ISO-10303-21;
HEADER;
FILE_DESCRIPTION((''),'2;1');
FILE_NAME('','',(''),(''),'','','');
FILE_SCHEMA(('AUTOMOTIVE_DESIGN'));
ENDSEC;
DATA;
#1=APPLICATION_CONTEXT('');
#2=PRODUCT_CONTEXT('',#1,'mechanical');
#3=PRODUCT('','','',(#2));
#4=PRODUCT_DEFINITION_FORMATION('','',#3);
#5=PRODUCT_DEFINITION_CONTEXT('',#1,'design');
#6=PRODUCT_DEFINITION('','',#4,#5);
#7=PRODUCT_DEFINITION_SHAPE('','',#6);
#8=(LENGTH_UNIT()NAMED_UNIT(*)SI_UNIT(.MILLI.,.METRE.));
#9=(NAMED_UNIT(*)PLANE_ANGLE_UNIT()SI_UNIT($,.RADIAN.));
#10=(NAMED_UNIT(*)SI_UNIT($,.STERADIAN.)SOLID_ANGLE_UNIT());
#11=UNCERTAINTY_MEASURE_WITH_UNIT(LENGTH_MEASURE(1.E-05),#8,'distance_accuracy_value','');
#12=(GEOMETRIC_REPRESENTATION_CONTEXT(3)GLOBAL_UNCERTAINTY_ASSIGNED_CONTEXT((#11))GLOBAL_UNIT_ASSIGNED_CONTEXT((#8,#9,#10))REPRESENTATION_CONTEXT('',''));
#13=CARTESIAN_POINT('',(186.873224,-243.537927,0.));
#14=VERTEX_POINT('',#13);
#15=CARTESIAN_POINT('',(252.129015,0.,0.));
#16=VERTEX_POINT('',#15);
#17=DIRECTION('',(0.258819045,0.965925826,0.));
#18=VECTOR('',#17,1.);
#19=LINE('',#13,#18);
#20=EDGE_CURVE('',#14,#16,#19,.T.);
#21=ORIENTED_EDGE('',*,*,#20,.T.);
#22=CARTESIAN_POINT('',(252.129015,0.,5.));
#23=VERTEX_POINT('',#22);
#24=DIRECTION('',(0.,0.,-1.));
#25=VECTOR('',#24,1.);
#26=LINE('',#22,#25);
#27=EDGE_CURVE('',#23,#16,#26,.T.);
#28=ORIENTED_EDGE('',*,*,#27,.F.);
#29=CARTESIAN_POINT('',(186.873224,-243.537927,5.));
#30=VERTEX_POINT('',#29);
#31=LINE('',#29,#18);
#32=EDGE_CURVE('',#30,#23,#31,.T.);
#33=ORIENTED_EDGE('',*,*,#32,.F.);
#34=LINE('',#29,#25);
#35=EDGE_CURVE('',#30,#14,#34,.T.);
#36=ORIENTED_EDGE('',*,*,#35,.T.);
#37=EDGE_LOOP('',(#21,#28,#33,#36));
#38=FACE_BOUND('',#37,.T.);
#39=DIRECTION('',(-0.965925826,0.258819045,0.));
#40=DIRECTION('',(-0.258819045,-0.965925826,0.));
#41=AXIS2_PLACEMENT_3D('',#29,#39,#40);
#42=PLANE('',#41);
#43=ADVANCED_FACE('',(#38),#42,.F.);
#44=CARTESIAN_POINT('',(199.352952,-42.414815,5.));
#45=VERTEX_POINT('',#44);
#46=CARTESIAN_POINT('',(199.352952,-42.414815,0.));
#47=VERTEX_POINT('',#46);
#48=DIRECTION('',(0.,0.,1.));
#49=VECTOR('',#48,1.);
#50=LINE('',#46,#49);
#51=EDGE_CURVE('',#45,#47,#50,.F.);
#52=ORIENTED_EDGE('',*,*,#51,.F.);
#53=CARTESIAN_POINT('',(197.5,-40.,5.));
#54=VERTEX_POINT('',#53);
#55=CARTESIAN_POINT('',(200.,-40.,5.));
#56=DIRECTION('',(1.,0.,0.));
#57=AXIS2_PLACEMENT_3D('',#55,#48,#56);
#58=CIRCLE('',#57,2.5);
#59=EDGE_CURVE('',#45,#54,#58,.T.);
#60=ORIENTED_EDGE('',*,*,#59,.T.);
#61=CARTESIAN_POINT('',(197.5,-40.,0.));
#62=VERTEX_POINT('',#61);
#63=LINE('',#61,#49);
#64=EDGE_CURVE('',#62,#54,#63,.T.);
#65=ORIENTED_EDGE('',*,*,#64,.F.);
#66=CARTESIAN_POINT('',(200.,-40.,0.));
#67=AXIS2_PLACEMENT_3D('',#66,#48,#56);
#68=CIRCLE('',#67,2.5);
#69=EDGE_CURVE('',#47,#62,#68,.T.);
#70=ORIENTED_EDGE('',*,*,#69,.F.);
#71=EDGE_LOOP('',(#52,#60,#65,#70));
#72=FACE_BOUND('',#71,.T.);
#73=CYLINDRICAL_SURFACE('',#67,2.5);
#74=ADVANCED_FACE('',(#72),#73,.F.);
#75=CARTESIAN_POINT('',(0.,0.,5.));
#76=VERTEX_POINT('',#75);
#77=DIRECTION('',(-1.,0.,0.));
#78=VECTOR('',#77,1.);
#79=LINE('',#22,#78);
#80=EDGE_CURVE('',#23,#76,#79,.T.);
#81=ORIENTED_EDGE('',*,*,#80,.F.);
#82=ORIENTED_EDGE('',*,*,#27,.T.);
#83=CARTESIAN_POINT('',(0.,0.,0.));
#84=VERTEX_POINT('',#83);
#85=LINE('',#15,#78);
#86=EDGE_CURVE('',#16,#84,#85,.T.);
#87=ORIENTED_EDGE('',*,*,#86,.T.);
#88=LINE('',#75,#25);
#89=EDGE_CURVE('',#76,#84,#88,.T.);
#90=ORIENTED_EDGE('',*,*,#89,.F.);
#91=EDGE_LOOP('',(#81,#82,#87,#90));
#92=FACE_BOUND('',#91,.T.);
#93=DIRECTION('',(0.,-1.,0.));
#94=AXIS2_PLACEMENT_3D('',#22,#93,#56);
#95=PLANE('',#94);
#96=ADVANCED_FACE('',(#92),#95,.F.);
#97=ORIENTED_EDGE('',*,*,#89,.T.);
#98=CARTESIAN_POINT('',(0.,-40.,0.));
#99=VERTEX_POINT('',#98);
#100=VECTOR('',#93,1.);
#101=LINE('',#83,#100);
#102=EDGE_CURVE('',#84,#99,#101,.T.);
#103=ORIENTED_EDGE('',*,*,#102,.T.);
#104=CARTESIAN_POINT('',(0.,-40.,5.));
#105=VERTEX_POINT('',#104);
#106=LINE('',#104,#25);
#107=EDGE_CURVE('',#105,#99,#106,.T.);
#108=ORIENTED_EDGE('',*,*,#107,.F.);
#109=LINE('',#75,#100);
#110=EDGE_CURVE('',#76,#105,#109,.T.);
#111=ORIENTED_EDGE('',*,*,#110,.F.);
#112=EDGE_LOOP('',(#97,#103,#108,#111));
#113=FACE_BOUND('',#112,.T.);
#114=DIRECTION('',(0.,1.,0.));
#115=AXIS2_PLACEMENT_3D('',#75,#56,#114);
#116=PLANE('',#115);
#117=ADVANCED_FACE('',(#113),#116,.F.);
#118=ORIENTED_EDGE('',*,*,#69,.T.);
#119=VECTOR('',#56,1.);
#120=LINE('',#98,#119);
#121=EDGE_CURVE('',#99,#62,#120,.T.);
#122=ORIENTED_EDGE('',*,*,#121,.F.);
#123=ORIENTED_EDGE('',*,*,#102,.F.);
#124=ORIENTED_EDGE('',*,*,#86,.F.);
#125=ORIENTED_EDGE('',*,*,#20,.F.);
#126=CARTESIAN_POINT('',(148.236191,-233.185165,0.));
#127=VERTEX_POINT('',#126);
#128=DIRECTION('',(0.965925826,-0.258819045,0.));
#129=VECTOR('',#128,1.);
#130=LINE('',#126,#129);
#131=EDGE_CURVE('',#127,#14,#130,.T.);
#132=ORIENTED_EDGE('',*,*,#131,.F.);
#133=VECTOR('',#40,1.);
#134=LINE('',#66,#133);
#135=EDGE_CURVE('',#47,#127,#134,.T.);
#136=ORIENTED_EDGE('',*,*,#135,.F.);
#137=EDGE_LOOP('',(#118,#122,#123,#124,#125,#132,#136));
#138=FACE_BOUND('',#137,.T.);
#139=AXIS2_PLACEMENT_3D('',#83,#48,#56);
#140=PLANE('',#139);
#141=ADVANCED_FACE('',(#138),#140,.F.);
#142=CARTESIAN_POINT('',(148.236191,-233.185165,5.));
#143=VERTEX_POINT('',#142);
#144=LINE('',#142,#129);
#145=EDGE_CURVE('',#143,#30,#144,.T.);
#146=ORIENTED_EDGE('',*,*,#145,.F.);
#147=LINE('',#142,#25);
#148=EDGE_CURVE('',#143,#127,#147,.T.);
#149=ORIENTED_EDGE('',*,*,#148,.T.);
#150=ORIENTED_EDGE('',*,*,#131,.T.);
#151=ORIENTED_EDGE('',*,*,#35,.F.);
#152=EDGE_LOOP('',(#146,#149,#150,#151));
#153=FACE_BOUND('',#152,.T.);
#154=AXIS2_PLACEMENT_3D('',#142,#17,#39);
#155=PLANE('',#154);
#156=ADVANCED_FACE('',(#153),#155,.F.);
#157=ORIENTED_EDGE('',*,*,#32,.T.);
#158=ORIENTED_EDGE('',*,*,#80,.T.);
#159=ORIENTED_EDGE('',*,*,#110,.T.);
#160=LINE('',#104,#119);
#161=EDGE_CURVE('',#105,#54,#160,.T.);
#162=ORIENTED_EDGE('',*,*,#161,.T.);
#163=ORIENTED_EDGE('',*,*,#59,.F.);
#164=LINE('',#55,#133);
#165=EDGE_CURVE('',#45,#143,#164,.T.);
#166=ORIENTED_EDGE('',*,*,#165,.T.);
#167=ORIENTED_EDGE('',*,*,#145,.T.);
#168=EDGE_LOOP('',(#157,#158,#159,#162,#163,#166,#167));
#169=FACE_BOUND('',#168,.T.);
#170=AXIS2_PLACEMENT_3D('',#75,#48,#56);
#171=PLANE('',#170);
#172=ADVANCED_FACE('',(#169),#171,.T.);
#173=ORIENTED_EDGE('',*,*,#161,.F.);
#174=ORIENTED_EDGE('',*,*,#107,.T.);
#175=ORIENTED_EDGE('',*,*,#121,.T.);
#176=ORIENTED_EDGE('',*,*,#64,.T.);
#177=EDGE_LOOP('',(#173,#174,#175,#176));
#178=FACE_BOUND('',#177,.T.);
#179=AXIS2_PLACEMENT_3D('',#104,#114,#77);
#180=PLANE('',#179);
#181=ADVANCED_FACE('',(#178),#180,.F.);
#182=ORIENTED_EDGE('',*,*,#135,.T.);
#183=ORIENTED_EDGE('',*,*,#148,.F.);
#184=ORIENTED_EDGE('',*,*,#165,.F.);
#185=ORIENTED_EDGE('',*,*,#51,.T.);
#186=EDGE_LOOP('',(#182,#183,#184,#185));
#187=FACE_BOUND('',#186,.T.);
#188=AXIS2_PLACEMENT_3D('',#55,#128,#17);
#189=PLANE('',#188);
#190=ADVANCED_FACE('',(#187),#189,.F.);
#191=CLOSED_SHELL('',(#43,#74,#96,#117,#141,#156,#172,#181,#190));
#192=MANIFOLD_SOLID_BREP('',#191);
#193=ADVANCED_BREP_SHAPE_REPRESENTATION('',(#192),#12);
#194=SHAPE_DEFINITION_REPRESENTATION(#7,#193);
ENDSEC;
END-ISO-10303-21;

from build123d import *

# Parameters (mm, degrees)
BOSS_EXTRU_1_DEPTH      = 5
ESQUISSE2_R             = 2.5
ENL_V_MAT_EXTRU_1_DEPTH = 351.577754684


with BuildPart() as part:
    # Esquisse1 → Boss.-Extru.1 (new body)
    with BuildSketch(Plane.XY):
        Polygon((0, 0), (0, -40), (200, -40), (148.236190979, -233.185165258), (186.873224031, -243.537927062), (252.129014914, 0), align=None)
    extrude(amount=BOSS_EXTRU_1_DEPTH)

    # Esquisse2 → Enlèv. mat.-Extru.1 (cut, through all)
    with BuildSketch(Plane.XY.offset(5)):
        with Locations((200, -40)):
            Circle(ESQUISSE2_R)
    extrude(amount=-ENL_V_MAT_EXTRU_1_DEPTH, mode=Mode.SUBTRACT)


solid = part.part
